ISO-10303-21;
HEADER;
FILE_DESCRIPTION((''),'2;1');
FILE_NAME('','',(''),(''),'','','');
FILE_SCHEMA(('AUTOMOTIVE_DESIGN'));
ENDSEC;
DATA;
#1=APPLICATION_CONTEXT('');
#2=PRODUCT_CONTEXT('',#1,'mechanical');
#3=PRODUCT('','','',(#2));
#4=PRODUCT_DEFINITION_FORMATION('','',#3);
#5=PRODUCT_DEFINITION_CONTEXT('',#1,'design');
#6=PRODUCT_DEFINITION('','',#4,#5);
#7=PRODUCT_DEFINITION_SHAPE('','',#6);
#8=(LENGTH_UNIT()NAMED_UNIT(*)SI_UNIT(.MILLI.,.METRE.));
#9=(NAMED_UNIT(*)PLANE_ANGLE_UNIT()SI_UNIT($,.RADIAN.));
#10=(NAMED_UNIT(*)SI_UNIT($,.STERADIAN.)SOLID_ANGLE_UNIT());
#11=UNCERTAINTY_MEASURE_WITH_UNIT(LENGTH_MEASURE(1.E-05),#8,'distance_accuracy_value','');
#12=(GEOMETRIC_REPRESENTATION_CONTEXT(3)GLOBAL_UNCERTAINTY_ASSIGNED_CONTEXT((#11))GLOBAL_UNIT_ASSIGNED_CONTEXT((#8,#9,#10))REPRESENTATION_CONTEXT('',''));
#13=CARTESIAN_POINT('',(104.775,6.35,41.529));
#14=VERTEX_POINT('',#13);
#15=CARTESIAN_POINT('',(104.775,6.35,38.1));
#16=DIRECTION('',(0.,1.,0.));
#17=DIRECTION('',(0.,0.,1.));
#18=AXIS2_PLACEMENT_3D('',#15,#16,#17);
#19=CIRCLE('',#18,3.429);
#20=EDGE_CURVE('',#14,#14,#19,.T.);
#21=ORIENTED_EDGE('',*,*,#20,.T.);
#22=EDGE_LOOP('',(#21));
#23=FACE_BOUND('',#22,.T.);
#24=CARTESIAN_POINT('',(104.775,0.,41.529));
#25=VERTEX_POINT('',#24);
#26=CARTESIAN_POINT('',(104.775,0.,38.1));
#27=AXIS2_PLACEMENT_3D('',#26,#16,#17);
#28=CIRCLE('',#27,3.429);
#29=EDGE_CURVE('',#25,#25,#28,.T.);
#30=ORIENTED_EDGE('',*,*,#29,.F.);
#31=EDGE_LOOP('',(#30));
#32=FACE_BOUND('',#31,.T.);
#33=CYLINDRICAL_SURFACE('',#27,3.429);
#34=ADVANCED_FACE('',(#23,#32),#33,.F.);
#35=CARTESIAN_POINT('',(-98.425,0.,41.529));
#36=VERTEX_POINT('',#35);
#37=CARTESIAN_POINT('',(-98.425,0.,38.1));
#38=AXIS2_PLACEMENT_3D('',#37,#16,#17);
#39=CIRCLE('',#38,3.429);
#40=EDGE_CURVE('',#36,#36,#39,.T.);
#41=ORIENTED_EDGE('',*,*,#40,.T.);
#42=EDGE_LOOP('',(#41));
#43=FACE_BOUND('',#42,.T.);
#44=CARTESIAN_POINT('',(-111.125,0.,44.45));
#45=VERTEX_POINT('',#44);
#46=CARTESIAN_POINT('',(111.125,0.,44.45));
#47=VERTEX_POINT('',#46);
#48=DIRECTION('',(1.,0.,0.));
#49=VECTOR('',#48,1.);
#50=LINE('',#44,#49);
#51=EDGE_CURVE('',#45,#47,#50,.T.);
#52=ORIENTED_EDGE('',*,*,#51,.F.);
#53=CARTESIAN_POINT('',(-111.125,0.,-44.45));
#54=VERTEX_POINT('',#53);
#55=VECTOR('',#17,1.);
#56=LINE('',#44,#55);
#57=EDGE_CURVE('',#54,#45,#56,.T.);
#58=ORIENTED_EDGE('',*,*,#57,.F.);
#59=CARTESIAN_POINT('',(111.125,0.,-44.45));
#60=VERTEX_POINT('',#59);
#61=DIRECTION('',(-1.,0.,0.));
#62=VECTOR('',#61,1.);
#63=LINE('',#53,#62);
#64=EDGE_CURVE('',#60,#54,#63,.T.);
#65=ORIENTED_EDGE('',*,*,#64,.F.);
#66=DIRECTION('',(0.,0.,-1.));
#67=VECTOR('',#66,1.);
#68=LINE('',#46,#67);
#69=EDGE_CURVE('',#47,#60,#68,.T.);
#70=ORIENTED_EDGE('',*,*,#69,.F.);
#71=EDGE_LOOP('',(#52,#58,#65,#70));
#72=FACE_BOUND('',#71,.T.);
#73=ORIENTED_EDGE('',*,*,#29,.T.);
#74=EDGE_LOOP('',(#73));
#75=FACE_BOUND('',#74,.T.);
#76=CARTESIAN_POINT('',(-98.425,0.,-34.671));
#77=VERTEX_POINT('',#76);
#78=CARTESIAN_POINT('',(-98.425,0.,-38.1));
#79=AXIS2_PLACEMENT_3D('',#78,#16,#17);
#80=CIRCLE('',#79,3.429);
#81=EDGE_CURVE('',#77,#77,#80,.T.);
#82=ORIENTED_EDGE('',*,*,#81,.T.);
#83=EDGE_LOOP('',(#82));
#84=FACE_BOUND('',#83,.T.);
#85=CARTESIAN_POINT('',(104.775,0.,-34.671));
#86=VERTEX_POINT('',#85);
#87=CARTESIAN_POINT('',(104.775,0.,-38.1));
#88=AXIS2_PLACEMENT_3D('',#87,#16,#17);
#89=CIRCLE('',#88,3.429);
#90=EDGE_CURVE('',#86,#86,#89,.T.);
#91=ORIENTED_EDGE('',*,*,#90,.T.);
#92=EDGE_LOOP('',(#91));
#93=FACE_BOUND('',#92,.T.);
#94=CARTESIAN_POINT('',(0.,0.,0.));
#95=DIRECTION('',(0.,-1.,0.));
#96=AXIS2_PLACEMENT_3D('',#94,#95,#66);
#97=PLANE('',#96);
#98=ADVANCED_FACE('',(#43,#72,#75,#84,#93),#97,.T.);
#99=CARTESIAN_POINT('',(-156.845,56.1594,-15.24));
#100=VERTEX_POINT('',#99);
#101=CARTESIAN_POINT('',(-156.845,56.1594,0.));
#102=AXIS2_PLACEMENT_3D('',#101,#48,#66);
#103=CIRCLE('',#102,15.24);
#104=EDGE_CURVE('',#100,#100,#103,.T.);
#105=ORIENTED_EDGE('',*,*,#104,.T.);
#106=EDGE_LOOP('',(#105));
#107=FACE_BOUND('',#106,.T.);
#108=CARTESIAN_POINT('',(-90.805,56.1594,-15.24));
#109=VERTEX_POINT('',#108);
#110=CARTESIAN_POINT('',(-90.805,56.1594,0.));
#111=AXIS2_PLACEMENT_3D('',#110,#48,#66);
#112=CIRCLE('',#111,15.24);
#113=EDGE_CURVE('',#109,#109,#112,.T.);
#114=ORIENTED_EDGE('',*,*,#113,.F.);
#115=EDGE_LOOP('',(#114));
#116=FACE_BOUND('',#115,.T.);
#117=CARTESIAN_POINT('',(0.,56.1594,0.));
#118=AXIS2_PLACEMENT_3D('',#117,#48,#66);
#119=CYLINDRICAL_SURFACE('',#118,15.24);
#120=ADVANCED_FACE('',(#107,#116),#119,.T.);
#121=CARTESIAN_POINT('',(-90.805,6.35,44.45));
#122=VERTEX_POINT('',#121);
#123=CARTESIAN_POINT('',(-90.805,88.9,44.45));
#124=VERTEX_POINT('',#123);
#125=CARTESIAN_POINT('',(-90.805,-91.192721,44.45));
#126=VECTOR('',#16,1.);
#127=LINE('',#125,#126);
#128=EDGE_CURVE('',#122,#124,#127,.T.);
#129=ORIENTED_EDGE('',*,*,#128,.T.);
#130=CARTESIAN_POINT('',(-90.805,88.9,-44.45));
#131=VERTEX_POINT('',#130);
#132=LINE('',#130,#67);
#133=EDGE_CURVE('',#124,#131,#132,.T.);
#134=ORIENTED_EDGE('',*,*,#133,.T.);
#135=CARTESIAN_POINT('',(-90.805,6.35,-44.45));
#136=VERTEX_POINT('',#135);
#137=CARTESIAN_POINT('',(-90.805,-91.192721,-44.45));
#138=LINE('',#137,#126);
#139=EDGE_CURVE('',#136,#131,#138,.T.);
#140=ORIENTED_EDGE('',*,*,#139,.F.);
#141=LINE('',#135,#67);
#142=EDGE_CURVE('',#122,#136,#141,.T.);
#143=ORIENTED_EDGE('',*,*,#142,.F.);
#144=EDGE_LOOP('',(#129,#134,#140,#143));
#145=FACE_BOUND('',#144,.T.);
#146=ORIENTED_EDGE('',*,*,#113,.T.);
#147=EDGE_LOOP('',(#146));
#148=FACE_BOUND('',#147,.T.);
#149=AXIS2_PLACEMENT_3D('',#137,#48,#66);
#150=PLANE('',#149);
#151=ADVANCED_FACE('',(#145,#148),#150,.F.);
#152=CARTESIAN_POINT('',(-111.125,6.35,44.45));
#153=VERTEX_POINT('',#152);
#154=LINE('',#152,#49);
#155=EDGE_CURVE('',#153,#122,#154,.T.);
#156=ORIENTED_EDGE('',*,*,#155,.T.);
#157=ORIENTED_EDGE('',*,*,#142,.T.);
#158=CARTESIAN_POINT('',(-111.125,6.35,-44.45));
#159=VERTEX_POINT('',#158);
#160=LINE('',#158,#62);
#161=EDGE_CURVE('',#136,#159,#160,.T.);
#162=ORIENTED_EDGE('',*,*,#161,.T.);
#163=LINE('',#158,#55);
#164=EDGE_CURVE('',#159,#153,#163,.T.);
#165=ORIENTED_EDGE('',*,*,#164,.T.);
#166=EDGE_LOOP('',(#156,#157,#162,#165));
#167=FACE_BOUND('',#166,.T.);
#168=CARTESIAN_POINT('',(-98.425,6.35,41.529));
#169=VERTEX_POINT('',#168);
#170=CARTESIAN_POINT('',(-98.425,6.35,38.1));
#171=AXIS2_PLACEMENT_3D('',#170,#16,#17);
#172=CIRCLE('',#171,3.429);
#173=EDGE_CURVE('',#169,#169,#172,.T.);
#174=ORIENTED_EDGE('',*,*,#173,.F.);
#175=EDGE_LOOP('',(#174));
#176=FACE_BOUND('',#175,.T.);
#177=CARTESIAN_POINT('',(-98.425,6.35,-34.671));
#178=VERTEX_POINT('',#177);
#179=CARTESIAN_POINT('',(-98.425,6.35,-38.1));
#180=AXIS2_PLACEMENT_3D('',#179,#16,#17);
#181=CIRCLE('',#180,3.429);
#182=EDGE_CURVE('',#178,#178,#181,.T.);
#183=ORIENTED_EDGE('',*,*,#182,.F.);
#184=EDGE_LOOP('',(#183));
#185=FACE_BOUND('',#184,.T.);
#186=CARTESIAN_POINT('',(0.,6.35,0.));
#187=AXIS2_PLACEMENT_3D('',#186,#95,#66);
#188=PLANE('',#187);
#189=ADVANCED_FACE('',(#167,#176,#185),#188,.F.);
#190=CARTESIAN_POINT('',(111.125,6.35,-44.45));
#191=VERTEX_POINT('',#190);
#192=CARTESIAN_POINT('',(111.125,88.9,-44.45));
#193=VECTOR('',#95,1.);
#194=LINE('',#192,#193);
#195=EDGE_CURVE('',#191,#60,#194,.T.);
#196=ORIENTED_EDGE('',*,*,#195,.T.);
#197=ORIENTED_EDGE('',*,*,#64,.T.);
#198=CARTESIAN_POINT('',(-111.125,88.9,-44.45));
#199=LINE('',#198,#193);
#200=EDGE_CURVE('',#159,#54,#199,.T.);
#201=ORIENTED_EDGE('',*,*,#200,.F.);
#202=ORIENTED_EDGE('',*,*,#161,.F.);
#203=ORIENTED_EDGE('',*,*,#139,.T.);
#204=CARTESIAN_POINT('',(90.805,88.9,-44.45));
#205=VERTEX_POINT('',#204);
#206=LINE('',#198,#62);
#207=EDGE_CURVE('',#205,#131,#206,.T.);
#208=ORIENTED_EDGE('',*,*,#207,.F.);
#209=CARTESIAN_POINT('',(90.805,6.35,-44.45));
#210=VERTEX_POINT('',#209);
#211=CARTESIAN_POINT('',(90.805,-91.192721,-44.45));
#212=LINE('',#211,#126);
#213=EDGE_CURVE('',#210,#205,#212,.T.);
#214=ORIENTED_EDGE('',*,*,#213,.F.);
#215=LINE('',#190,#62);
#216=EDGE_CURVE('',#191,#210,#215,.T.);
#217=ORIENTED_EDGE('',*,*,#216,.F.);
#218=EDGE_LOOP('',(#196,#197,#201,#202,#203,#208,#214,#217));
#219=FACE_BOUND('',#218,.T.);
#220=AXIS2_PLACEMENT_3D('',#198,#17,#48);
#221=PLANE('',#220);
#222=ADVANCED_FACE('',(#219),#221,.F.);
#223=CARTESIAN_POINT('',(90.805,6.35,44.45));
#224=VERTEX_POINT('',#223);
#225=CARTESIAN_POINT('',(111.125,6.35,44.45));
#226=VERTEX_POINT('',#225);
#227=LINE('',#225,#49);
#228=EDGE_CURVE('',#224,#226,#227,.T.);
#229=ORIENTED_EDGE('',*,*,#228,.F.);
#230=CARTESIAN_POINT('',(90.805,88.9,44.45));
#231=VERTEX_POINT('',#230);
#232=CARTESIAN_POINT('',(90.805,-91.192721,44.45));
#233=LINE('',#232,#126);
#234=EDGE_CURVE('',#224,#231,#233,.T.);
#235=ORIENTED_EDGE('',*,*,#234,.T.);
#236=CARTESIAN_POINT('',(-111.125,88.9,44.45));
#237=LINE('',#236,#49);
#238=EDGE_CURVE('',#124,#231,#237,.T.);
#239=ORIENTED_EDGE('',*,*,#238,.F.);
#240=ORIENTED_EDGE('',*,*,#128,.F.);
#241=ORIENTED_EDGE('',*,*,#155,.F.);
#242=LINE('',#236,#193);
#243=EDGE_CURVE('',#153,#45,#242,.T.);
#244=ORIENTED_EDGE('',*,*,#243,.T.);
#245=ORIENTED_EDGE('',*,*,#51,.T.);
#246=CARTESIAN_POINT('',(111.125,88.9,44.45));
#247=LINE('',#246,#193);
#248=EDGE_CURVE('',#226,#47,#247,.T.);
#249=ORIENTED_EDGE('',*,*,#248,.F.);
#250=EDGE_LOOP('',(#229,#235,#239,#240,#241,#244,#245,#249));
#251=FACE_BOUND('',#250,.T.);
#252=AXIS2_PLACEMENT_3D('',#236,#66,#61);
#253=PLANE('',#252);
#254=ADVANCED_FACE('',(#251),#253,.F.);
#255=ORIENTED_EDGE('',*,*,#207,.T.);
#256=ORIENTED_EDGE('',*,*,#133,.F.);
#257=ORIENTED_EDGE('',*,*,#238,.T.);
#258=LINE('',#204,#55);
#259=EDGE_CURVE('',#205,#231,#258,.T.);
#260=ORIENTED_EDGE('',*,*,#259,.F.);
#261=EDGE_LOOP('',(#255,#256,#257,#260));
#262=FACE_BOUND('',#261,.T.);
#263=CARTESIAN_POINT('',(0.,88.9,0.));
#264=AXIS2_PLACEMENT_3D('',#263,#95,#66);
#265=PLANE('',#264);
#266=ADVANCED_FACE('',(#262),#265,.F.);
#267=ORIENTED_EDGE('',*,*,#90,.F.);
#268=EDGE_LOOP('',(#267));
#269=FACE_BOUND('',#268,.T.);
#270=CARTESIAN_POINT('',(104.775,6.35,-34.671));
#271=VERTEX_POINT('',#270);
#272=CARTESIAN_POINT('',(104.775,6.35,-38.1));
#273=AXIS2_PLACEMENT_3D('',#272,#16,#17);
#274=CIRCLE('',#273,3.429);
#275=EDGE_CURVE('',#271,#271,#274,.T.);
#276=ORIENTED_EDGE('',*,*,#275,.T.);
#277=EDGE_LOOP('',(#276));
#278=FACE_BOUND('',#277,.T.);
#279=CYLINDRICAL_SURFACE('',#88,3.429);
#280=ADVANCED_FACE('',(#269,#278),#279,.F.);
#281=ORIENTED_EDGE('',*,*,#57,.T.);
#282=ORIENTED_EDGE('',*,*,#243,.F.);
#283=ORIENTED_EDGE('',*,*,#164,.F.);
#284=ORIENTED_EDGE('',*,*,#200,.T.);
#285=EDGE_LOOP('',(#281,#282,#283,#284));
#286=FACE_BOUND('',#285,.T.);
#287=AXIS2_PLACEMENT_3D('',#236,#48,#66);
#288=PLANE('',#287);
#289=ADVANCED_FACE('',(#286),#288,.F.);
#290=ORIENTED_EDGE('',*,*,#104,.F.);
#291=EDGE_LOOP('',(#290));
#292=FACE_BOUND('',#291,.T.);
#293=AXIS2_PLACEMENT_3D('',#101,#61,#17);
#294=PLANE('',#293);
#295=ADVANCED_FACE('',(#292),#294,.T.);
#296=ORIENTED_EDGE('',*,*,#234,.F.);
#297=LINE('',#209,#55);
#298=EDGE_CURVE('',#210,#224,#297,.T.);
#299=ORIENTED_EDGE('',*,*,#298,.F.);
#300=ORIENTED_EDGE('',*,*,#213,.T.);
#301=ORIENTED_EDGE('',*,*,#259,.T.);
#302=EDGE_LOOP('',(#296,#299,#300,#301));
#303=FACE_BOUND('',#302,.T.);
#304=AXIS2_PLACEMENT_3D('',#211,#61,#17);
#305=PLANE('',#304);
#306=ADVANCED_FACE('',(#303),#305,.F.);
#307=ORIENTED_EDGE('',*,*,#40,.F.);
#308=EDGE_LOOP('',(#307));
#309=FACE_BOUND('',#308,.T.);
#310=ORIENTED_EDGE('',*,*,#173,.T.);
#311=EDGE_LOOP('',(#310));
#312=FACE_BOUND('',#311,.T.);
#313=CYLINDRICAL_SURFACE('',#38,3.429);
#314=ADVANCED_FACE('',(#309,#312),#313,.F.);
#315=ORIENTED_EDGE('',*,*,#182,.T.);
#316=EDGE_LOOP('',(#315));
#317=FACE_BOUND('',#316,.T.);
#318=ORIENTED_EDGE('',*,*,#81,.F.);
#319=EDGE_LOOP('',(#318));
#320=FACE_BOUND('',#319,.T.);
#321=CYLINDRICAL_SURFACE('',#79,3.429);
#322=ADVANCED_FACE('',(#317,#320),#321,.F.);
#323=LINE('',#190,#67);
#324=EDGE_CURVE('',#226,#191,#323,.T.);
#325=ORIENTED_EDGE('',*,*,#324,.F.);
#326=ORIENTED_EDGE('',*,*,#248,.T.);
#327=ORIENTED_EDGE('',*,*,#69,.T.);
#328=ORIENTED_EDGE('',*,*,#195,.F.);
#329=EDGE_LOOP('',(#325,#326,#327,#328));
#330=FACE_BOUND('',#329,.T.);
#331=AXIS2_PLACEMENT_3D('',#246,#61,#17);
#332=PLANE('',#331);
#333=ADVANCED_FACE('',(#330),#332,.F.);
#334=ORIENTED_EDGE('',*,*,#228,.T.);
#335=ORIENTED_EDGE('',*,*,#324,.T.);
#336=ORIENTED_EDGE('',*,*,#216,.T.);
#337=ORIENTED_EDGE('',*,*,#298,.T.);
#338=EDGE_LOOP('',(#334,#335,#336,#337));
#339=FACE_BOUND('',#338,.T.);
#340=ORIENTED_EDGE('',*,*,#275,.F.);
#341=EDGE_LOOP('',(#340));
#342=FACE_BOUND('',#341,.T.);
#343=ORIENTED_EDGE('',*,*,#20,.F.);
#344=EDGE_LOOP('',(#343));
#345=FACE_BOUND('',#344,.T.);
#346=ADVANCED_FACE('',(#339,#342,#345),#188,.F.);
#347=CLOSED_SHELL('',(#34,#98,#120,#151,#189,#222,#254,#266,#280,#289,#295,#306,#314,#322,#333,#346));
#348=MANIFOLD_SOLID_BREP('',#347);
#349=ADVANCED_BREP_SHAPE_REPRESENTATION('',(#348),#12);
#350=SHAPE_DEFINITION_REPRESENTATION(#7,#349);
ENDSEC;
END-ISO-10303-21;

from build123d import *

# Parameters (mm, degrees)
SKETCH1_W           = 222.25
SKETCH1_H           = 88.9
BOSS_EXTRUDE1_DEPTH = 88.9
SKETCH4_W           = 20.32
SKETCH4_H           = 88.9
CUT_EXTRUDE1_DEPTH  = 82.55
SKETCH2_W           = 156.845
SKETCH2_H           = 15.24
SKETCH5_R           = 3.429
CUT_EXTRUDE2_DEPTH  = 183.731111267


with BuildPart() as part:
    # Sketch1 → Boss-Extrude1 (new body)
    with BuildSketch(Plane(origin=(0, 0, 0), x_dir=(1, 0, 0), z_dir=(0, 1, 0))):
        Rectangle(SKETCH1_W, SKETCH1_H)
    extrude(amount=BOSS_EXTRUDE1_DEPTH)

    # Sketch4 → Cut-Extrude1 (cut)
    with BuildSketch(Plane(origin=(0, 88.9, 0), x_dir=(1, 0, 0), z_dir=(0, 1, 0))):
        with Locations((-100.965, 0)):
            Rectangle(SKETCH4_W, SKETCH4_H)
        with Locations((100.965, 0)):
            Rectangle(SKETCH4_W, SKETCH4_H)
    extrude(amount=-CUT_EXTRUDE1_DEPTH, mode=Mode.SUBTRACT)

    # Sketch2 → Revolve1 (revolve)
    with BuildSketch(Plane(origin=(0, 56.1594, 0), x_dir=(1, 0, 0), z_dir=(0, 1, 0))):
        with Locations((-78.4225, 7.62)):
            Rectangle(SKETCH2_W, SKETCH2_H)
    revolve(axis=Axis((0, 56.1594, 0), (-1, 0, 0)))

    # Sketch5 → Cut-Extrude2 (cut, through all)
    with BuildSketch(Plane(origin=(0, 6.35, 0), x_dir=(1, 0, 0), z_dir=(0, 1, 0))):
        with Locations(Location((-98.425, 38.1, 0), (0, 0, 270))):
            Circle(SKETCH5_R)
        with Locations(Location((104.775, 38.1, 0), (0, 0, 270))):
            Circle(SKETCH5_R)
        with Locations(Location((104.775, -38.1, 0), (0, 0, 270))):
            Circle(SKETCH5_R)
        with Locations(Location((-98.425, -38.1, 0), (0, 0, 270))):
            Circle(SKETCH5_R)
    extrude(amount=-CUT_EXTRUDE2_DEPTH, mode=Mode.SUBTRACT)


solid = part.part
